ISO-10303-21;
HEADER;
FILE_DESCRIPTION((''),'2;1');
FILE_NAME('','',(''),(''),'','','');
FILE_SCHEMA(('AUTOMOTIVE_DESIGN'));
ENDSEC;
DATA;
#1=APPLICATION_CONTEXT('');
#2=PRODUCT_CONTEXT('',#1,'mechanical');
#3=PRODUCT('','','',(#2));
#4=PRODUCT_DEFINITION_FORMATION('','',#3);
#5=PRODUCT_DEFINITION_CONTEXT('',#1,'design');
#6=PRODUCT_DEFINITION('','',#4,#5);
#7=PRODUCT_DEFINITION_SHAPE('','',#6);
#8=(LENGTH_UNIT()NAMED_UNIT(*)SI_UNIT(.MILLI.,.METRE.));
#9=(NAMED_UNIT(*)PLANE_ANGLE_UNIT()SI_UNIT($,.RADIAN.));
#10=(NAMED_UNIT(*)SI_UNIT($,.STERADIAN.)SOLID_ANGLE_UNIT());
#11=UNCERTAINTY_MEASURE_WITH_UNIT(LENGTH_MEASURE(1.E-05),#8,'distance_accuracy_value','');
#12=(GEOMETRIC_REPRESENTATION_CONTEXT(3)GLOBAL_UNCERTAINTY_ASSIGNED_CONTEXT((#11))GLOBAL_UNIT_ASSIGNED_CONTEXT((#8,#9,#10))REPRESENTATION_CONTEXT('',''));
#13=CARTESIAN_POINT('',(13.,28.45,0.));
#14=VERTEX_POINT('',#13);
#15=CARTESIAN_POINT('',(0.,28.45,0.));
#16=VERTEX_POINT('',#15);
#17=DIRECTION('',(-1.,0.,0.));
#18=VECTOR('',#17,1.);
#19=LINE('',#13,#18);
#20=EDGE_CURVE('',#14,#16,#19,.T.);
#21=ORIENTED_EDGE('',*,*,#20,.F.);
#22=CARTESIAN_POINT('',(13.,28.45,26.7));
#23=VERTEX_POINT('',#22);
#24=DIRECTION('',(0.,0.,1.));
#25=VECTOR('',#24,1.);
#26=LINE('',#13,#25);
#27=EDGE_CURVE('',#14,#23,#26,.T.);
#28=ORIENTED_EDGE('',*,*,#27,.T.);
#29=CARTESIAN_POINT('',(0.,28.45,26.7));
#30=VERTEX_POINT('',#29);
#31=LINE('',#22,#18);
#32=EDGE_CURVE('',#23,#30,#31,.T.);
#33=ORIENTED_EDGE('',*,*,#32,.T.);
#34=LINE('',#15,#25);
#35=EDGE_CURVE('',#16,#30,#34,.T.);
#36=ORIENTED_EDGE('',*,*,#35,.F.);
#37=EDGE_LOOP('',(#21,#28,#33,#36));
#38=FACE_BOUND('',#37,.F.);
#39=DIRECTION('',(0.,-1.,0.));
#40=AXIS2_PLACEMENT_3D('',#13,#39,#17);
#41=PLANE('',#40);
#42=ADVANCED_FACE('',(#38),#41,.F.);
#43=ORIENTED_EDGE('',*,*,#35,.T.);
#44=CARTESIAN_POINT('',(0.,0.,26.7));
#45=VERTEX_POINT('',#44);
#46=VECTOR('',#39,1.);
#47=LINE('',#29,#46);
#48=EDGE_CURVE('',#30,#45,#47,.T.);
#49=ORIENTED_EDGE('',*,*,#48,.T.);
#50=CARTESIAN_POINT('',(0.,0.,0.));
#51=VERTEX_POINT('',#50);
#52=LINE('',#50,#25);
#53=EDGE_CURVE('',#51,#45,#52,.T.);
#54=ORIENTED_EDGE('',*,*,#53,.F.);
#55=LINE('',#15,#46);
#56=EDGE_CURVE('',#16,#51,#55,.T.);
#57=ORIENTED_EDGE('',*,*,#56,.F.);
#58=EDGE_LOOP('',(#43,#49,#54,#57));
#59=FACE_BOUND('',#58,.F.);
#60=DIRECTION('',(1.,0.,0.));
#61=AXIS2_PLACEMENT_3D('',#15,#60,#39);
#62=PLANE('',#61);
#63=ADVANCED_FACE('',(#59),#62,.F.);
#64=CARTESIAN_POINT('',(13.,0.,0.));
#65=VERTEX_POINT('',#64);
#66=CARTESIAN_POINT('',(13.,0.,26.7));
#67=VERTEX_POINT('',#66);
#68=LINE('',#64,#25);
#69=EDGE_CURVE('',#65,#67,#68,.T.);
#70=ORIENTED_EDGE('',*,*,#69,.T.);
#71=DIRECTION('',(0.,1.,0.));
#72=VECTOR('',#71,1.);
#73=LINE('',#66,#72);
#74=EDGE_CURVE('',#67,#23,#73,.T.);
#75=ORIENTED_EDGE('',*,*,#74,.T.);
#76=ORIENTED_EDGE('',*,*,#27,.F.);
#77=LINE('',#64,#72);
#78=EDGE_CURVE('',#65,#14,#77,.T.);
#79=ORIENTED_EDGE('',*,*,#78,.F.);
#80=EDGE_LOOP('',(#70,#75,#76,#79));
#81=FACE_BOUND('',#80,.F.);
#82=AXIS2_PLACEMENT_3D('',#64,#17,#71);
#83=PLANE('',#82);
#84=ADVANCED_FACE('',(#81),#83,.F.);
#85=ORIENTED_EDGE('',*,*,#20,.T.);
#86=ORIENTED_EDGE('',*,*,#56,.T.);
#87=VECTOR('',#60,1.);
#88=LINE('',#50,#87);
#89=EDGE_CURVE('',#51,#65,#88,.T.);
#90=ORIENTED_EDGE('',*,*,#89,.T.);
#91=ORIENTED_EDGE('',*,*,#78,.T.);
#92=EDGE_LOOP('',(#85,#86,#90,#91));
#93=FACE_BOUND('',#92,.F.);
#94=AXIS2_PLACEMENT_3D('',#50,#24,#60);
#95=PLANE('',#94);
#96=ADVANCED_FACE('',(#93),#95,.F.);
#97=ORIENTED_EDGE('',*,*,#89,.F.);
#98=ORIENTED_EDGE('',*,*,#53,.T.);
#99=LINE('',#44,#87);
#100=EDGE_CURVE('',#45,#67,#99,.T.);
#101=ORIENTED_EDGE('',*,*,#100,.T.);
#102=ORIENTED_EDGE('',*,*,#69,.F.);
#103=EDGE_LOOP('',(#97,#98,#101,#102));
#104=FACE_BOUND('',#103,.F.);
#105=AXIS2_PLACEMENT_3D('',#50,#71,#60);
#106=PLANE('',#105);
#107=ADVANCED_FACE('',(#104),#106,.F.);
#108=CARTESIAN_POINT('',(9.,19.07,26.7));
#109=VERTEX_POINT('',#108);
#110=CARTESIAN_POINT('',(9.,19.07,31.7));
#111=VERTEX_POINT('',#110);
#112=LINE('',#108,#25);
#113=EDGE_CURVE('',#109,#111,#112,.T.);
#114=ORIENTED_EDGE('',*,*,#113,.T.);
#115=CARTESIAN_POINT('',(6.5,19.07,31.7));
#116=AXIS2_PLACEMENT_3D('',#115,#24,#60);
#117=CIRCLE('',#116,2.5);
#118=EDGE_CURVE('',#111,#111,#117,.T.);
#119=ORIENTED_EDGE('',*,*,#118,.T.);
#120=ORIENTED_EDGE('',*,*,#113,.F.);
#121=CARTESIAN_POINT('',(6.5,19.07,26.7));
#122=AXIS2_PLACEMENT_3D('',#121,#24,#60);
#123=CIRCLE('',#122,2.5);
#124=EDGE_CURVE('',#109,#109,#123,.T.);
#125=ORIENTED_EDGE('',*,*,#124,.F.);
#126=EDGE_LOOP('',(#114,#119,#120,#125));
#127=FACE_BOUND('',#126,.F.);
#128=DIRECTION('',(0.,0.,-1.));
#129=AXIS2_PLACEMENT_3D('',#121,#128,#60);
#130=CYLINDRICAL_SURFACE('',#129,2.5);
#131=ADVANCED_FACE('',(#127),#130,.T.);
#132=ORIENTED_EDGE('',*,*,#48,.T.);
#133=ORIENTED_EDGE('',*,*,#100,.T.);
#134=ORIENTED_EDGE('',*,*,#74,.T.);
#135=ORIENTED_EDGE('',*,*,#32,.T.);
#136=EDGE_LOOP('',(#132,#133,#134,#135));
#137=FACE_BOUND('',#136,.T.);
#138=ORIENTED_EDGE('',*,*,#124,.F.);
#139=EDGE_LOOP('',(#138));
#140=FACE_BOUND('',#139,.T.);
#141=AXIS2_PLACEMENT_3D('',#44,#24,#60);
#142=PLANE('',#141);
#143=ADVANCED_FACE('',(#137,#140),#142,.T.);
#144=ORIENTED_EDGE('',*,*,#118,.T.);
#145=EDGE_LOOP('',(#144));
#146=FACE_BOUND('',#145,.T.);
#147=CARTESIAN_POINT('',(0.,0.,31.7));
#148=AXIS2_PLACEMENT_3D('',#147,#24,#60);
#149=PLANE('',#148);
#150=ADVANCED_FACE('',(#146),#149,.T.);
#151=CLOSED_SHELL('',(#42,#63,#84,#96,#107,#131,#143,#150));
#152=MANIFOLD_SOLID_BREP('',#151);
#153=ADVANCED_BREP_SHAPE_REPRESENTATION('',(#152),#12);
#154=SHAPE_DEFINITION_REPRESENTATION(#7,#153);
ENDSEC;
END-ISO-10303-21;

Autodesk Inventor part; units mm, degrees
ref_plane "YZ Plane" through (0, 0, 0) normal (1, 0, 0) x (0, 1, 0)
ref_plane "XZ Plane" through (0, 0, 0) normal (0, 1, 0) x (-1, 0, 0)
ref_plane "XY Plane" through (0, 0, 0) normal (0, 0, 1) x (1, 0, 0)
sketch "Sketch1" plane through (0, 0, 0) normal (0, 0, 1) x (1, 0, 0)
  line L0 (0, 0) -> (13, 0)
  line L1 (13, 0) -> (13, 28.45)
  line L2 (13, 28.45) -> (0, 28.45)
  line L3 (0, 28.45) -> (0, 0)
  dimension "d0" = 13
  dimension "d1" = 28.45
extrude "Extrusion1" add sketch "Sketch1" along normal blind 26.7
sketch "Sketch2" plane through (0, 0, 26.7) normal (0, 0, 1) x (1, 0, 0)
  line L0 (13, 28.45) -> (0, 28.45) projected
  circle A0 centre (6.5, 19.07) radius 2.5
  point P0 (0, 0)
  dimension "d5" = 5
extrude "Extrusion2" add sketch "Sketch2" along normal blind 5
properties part number "servoRep"
